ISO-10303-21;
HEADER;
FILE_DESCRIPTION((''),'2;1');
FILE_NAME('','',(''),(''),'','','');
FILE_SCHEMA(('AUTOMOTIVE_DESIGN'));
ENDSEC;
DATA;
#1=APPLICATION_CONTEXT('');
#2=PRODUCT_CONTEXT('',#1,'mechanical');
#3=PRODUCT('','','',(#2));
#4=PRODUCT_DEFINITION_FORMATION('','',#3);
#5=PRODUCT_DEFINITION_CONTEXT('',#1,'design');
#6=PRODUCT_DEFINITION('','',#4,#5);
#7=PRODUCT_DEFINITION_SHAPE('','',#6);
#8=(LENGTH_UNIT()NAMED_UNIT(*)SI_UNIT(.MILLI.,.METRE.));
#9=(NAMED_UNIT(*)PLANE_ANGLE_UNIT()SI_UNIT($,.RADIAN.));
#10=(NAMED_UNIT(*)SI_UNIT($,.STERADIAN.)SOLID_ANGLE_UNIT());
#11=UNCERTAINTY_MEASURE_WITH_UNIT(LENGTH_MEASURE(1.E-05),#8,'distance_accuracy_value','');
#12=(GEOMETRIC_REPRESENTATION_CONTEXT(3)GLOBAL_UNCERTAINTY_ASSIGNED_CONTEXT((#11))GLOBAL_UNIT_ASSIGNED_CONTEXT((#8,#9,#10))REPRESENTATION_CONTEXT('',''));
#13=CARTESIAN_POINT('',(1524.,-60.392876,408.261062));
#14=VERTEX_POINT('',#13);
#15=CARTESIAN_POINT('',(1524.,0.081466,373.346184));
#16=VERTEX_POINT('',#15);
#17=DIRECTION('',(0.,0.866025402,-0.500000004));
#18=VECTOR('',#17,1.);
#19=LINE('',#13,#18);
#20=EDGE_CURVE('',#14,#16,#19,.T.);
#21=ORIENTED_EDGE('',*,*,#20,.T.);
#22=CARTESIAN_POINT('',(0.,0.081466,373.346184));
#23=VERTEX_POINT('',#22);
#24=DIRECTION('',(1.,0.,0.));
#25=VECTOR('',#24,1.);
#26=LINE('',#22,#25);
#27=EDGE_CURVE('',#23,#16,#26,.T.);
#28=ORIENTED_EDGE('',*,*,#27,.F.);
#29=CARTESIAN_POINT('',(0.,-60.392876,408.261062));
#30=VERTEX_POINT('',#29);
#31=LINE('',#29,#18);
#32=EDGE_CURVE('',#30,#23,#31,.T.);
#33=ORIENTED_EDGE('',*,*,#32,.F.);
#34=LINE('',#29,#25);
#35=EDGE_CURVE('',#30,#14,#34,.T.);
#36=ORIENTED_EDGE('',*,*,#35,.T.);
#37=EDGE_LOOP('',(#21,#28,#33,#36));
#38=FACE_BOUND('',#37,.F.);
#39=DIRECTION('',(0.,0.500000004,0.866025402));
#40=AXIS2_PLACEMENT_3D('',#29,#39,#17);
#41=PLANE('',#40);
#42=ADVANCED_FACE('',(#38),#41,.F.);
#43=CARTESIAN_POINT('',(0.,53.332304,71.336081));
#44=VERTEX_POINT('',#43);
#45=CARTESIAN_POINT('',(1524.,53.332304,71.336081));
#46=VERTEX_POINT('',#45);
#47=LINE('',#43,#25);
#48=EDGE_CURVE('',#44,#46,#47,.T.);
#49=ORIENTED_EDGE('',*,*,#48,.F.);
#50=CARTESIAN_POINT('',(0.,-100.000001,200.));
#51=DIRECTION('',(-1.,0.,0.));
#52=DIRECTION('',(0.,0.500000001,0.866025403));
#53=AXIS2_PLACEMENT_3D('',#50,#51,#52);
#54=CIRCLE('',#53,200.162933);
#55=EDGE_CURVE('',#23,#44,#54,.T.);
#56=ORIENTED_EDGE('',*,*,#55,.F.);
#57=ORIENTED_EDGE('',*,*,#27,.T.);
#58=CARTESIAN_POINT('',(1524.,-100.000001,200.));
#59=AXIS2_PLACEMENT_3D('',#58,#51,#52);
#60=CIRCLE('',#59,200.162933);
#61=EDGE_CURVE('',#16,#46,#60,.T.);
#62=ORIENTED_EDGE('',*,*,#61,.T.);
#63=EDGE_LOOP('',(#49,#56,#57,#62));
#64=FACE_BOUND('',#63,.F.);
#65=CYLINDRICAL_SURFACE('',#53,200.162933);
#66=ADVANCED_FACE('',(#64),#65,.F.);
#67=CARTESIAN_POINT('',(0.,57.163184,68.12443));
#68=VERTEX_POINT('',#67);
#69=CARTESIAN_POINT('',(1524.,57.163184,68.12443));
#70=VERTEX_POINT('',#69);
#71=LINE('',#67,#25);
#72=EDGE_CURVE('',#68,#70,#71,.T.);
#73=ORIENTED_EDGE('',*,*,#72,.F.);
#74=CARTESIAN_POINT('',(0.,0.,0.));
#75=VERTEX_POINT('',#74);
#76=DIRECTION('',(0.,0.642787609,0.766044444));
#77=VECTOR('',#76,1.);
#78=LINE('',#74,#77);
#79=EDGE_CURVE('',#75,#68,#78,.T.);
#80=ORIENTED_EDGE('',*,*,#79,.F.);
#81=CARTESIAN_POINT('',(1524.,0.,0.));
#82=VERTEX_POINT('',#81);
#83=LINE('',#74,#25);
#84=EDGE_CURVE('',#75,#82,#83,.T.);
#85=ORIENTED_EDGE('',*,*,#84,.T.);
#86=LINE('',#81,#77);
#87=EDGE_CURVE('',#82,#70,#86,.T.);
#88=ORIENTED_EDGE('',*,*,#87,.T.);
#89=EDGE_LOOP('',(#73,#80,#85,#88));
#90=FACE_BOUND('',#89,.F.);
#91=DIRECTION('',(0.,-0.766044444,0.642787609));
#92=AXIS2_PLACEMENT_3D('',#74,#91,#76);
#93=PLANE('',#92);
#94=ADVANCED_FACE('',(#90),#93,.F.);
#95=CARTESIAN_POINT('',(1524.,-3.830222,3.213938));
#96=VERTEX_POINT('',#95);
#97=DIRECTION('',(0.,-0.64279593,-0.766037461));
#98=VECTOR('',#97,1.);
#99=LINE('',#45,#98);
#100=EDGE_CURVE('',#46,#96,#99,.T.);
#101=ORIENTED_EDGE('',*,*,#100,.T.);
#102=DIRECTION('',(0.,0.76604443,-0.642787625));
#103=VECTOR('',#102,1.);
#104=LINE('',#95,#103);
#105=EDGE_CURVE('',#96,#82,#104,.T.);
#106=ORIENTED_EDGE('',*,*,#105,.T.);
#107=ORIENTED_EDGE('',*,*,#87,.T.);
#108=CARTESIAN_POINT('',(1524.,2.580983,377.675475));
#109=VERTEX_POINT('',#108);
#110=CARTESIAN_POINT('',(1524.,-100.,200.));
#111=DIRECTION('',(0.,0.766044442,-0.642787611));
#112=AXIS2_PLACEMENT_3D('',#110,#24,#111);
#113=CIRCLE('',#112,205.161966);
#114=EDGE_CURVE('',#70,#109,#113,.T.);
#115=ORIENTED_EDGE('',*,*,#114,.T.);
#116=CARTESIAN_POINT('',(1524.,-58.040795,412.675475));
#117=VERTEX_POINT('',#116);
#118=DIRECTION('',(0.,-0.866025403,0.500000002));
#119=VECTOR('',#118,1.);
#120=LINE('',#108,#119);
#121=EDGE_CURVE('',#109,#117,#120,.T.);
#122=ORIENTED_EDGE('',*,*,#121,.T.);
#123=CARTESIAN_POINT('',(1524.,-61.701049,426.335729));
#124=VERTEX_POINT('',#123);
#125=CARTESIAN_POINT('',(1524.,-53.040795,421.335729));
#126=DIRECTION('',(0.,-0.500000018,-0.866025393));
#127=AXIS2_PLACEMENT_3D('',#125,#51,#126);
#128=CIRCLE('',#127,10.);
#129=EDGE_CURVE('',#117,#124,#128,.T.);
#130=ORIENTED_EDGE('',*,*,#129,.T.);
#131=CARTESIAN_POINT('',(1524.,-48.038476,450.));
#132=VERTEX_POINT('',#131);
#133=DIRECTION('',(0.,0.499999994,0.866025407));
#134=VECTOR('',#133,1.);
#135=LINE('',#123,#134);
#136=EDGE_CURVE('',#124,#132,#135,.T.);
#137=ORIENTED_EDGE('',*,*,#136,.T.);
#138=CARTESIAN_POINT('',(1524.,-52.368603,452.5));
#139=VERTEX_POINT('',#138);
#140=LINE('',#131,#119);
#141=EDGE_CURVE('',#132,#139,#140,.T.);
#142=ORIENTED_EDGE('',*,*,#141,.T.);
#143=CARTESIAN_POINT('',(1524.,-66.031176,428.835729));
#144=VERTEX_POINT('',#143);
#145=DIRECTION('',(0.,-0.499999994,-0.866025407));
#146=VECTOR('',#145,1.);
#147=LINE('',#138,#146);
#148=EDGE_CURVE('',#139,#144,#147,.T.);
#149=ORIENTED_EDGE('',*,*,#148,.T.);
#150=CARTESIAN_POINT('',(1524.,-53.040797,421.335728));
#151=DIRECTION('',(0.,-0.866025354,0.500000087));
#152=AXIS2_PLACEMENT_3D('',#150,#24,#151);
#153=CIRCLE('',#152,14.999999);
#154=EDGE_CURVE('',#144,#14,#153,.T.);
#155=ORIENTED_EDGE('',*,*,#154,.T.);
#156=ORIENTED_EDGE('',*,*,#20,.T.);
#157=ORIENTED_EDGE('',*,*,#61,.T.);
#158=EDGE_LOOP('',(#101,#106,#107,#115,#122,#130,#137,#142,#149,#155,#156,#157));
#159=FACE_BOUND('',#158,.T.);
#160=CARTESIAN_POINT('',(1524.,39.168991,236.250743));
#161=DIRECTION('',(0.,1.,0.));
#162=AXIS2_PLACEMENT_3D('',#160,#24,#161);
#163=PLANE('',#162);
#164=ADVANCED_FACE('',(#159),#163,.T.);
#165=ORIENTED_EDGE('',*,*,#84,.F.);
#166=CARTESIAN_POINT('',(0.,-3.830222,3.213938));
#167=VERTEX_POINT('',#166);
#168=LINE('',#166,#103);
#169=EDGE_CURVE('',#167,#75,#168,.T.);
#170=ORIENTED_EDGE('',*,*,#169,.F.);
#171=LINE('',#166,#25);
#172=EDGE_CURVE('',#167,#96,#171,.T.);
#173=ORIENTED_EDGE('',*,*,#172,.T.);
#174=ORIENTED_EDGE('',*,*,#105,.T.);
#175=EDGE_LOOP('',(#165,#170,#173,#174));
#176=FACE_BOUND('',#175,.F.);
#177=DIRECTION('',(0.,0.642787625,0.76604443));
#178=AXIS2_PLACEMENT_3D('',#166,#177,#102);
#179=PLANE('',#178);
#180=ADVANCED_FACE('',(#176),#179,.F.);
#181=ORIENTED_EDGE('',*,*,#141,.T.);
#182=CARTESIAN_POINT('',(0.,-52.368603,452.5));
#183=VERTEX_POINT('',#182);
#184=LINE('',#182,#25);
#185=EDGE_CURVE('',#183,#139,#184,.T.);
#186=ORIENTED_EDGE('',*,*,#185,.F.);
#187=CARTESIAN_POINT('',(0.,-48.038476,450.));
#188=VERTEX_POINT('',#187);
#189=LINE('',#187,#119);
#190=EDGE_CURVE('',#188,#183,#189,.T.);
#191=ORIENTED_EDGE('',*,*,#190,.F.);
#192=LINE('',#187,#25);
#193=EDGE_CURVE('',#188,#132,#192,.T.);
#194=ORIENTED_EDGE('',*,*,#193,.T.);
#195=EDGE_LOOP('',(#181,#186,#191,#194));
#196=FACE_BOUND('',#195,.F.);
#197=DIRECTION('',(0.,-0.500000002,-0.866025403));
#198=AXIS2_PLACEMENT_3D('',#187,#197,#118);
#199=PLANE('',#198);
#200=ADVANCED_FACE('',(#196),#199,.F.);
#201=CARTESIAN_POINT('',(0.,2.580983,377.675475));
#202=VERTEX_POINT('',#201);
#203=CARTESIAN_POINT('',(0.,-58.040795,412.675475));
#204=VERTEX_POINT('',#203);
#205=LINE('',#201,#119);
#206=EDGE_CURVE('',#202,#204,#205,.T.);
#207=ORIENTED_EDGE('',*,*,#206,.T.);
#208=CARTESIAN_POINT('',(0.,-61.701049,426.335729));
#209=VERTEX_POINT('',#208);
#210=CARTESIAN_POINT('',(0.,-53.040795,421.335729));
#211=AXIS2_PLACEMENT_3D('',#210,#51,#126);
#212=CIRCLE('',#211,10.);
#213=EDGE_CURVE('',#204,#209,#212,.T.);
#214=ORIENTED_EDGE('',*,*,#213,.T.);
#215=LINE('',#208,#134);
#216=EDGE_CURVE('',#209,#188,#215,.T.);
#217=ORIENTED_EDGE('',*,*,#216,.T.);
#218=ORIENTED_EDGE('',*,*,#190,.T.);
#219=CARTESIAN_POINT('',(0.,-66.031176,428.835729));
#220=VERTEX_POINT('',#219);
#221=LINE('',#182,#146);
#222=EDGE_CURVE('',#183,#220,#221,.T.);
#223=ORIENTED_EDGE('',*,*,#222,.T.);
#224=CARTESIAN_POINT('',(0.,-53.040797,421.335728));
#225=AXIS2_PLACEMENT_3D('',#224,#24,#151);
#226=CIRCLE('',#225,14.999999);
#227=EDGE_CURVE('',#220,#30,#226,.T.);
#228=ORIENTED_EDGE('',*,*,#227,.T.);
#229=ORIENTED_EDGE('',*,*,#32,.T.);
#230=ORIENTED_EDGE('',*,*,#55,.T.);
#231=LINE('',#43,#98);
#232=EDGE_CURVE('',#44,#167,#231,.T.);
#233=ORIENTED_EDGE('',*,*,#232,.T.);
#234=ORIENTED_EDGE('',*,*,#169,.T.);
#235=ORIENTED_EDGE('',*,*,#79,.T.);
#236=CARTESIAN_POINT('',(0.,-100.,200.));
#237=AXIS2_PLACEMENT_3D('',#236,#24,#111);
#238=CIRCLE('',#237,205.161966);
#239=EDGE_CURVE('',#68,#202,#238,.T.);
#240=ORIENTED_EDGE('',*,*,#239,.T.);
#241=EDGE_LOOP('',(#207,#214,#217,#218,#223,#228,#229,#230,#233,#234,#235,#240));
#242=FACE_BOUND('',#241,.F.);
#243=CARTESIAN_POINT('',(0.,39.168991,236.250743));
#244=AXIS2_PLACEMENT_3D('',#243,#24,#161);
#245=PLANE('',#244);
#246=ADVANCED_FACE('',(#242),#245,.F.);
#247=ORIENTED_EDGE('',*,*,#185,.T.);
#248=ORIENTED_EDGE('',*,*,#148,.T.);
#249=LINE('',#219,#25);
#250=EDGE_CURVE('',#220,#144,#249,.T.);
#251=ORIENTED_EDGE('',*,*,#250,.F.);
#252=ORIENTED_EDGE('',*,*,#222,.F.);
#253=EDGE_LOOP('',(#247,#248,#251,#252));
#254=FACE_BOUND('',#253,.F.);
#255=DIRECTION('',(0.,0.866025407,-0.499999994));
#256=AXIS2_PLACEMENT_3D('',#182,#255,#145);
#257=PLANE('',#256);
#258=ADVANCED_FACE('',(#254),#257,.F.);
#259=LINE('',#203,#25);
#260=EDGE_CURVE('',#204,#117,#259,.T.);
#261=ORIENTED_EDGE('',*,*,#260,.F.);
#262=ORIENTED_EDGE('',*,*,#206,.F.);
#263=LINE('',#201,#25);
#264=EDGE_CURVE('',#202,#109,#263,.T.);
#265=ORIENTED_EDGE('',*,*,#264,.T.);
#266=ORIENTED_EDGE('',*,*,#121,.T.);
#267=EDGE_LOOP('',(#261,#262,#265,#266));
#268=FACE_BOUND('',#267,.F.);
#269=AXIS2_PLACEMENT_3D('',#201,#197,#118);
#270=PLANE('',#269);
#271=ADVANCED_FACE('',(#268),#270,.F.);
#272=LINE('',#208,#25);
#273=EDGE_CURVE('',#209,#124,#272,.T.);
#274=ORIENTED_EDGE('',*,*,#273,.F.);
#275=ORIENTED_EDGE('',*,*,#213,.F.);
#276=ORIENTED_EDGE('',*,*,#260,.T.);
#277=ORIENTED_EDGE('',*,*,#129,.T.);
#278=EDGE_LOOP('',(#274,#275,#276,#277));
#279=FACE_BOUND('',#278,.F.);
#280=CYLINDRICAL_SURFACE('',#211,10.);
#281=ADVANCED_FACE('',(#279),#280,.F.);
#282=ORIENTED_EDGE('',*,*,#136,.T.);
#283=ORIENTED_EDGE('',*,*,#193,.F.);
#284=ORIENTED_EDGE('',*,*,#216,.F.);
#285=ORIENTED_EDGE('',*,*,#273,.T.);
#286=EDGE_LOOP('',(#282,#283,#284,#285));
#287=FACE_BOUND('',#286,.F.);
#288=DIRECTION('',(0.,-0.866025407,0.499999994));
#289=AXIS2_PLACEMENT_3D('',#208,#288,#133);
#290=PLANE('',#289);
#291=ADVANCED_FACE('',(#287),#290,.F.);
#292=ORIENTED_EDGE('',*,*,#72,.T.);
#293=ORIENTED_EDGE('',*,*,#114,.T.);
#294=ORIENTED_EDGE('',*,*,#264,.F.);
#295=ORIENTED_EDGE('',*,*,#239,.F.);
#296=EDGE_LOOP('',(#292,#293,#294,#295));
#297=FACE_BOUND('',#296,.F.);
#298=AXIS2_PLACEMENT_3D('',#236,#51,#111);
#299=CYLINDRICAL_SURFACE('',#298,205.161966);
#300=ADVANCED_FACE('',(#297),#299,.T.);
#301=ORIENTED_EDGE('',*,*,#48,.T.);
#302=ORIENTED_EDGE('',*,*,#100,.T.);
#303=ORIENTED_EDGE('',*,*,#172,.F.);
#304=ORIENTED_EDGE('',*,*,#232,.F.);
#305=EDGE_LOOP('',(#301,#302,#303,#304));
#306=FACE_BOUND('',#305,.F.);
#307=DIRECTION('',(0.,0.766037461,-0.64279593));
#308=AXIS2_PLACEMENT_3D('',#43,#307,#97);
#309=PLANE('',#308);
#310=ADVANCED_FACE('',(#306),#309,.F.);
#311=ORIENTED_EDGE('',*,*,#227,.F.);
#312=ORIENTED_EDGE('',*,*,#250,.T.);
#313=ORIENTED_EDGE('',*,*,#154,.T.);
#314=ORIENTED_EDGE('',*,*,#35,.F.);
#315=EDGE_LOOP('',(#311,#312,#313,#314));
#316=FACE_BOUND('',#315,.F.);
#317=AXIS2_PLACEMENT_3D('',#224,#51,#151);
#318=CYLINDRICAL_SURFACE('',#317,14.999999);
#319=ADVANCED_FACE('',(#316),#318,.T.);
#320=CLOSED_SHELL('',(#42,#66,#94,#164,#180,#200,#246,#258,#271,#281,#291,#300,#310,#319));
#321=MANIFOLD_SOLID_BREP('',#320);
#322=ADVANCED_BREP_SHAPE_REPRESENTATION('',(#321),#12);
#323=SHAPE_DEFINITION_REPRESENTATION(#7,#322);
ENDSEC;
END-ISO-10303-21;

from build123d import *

# Parameters (mm, degrees)
F1_DEPTH = 1524


with BuildPart() as f1:
    # F0 (on Right) → F1 (new body)
    with BuildSketch(Plane.YZ):
        with BuildLine():
            Line((-3.830222, 3.213938), (0, 0))
            Line((0, 0), (57.163184, 68.12443))
            ThreePointArc((57.163184, 68.12443), (102.045095, 235.626002), (2.580983, 377.675475))
            Line((2.580983, 377.675475), (-58.040795, 412.675475))
            ThreePointArc((-58.040795, 412.675475), (-62.700053, 418.747538), (-61.701049, 426.335729))
            Line((-61.701049, 426.335729), (-48.038476, 450))
            Line((-48.038476, 450), (-52.368603, 452.5))
            Line((-52.368603, 452.5), (-66.031176, 428.835729))
            ThreePointArc((-66.031176, 428.835729), (-67.507418, 417.371282), (-60.392876, 408.261062))
            Line((-60.392876, 408.261062), (0.081466, 373.346184))
            ThreePointArc((0.081466, 373.346184), (97.122196, 234.756858), (53.332304, 71.336081))
            Line((53.332304, 71.336081), (-3.830222, 3.213938))
        make_face()
    extrude(amount=F1_DEPTH)


solid = f1.part
